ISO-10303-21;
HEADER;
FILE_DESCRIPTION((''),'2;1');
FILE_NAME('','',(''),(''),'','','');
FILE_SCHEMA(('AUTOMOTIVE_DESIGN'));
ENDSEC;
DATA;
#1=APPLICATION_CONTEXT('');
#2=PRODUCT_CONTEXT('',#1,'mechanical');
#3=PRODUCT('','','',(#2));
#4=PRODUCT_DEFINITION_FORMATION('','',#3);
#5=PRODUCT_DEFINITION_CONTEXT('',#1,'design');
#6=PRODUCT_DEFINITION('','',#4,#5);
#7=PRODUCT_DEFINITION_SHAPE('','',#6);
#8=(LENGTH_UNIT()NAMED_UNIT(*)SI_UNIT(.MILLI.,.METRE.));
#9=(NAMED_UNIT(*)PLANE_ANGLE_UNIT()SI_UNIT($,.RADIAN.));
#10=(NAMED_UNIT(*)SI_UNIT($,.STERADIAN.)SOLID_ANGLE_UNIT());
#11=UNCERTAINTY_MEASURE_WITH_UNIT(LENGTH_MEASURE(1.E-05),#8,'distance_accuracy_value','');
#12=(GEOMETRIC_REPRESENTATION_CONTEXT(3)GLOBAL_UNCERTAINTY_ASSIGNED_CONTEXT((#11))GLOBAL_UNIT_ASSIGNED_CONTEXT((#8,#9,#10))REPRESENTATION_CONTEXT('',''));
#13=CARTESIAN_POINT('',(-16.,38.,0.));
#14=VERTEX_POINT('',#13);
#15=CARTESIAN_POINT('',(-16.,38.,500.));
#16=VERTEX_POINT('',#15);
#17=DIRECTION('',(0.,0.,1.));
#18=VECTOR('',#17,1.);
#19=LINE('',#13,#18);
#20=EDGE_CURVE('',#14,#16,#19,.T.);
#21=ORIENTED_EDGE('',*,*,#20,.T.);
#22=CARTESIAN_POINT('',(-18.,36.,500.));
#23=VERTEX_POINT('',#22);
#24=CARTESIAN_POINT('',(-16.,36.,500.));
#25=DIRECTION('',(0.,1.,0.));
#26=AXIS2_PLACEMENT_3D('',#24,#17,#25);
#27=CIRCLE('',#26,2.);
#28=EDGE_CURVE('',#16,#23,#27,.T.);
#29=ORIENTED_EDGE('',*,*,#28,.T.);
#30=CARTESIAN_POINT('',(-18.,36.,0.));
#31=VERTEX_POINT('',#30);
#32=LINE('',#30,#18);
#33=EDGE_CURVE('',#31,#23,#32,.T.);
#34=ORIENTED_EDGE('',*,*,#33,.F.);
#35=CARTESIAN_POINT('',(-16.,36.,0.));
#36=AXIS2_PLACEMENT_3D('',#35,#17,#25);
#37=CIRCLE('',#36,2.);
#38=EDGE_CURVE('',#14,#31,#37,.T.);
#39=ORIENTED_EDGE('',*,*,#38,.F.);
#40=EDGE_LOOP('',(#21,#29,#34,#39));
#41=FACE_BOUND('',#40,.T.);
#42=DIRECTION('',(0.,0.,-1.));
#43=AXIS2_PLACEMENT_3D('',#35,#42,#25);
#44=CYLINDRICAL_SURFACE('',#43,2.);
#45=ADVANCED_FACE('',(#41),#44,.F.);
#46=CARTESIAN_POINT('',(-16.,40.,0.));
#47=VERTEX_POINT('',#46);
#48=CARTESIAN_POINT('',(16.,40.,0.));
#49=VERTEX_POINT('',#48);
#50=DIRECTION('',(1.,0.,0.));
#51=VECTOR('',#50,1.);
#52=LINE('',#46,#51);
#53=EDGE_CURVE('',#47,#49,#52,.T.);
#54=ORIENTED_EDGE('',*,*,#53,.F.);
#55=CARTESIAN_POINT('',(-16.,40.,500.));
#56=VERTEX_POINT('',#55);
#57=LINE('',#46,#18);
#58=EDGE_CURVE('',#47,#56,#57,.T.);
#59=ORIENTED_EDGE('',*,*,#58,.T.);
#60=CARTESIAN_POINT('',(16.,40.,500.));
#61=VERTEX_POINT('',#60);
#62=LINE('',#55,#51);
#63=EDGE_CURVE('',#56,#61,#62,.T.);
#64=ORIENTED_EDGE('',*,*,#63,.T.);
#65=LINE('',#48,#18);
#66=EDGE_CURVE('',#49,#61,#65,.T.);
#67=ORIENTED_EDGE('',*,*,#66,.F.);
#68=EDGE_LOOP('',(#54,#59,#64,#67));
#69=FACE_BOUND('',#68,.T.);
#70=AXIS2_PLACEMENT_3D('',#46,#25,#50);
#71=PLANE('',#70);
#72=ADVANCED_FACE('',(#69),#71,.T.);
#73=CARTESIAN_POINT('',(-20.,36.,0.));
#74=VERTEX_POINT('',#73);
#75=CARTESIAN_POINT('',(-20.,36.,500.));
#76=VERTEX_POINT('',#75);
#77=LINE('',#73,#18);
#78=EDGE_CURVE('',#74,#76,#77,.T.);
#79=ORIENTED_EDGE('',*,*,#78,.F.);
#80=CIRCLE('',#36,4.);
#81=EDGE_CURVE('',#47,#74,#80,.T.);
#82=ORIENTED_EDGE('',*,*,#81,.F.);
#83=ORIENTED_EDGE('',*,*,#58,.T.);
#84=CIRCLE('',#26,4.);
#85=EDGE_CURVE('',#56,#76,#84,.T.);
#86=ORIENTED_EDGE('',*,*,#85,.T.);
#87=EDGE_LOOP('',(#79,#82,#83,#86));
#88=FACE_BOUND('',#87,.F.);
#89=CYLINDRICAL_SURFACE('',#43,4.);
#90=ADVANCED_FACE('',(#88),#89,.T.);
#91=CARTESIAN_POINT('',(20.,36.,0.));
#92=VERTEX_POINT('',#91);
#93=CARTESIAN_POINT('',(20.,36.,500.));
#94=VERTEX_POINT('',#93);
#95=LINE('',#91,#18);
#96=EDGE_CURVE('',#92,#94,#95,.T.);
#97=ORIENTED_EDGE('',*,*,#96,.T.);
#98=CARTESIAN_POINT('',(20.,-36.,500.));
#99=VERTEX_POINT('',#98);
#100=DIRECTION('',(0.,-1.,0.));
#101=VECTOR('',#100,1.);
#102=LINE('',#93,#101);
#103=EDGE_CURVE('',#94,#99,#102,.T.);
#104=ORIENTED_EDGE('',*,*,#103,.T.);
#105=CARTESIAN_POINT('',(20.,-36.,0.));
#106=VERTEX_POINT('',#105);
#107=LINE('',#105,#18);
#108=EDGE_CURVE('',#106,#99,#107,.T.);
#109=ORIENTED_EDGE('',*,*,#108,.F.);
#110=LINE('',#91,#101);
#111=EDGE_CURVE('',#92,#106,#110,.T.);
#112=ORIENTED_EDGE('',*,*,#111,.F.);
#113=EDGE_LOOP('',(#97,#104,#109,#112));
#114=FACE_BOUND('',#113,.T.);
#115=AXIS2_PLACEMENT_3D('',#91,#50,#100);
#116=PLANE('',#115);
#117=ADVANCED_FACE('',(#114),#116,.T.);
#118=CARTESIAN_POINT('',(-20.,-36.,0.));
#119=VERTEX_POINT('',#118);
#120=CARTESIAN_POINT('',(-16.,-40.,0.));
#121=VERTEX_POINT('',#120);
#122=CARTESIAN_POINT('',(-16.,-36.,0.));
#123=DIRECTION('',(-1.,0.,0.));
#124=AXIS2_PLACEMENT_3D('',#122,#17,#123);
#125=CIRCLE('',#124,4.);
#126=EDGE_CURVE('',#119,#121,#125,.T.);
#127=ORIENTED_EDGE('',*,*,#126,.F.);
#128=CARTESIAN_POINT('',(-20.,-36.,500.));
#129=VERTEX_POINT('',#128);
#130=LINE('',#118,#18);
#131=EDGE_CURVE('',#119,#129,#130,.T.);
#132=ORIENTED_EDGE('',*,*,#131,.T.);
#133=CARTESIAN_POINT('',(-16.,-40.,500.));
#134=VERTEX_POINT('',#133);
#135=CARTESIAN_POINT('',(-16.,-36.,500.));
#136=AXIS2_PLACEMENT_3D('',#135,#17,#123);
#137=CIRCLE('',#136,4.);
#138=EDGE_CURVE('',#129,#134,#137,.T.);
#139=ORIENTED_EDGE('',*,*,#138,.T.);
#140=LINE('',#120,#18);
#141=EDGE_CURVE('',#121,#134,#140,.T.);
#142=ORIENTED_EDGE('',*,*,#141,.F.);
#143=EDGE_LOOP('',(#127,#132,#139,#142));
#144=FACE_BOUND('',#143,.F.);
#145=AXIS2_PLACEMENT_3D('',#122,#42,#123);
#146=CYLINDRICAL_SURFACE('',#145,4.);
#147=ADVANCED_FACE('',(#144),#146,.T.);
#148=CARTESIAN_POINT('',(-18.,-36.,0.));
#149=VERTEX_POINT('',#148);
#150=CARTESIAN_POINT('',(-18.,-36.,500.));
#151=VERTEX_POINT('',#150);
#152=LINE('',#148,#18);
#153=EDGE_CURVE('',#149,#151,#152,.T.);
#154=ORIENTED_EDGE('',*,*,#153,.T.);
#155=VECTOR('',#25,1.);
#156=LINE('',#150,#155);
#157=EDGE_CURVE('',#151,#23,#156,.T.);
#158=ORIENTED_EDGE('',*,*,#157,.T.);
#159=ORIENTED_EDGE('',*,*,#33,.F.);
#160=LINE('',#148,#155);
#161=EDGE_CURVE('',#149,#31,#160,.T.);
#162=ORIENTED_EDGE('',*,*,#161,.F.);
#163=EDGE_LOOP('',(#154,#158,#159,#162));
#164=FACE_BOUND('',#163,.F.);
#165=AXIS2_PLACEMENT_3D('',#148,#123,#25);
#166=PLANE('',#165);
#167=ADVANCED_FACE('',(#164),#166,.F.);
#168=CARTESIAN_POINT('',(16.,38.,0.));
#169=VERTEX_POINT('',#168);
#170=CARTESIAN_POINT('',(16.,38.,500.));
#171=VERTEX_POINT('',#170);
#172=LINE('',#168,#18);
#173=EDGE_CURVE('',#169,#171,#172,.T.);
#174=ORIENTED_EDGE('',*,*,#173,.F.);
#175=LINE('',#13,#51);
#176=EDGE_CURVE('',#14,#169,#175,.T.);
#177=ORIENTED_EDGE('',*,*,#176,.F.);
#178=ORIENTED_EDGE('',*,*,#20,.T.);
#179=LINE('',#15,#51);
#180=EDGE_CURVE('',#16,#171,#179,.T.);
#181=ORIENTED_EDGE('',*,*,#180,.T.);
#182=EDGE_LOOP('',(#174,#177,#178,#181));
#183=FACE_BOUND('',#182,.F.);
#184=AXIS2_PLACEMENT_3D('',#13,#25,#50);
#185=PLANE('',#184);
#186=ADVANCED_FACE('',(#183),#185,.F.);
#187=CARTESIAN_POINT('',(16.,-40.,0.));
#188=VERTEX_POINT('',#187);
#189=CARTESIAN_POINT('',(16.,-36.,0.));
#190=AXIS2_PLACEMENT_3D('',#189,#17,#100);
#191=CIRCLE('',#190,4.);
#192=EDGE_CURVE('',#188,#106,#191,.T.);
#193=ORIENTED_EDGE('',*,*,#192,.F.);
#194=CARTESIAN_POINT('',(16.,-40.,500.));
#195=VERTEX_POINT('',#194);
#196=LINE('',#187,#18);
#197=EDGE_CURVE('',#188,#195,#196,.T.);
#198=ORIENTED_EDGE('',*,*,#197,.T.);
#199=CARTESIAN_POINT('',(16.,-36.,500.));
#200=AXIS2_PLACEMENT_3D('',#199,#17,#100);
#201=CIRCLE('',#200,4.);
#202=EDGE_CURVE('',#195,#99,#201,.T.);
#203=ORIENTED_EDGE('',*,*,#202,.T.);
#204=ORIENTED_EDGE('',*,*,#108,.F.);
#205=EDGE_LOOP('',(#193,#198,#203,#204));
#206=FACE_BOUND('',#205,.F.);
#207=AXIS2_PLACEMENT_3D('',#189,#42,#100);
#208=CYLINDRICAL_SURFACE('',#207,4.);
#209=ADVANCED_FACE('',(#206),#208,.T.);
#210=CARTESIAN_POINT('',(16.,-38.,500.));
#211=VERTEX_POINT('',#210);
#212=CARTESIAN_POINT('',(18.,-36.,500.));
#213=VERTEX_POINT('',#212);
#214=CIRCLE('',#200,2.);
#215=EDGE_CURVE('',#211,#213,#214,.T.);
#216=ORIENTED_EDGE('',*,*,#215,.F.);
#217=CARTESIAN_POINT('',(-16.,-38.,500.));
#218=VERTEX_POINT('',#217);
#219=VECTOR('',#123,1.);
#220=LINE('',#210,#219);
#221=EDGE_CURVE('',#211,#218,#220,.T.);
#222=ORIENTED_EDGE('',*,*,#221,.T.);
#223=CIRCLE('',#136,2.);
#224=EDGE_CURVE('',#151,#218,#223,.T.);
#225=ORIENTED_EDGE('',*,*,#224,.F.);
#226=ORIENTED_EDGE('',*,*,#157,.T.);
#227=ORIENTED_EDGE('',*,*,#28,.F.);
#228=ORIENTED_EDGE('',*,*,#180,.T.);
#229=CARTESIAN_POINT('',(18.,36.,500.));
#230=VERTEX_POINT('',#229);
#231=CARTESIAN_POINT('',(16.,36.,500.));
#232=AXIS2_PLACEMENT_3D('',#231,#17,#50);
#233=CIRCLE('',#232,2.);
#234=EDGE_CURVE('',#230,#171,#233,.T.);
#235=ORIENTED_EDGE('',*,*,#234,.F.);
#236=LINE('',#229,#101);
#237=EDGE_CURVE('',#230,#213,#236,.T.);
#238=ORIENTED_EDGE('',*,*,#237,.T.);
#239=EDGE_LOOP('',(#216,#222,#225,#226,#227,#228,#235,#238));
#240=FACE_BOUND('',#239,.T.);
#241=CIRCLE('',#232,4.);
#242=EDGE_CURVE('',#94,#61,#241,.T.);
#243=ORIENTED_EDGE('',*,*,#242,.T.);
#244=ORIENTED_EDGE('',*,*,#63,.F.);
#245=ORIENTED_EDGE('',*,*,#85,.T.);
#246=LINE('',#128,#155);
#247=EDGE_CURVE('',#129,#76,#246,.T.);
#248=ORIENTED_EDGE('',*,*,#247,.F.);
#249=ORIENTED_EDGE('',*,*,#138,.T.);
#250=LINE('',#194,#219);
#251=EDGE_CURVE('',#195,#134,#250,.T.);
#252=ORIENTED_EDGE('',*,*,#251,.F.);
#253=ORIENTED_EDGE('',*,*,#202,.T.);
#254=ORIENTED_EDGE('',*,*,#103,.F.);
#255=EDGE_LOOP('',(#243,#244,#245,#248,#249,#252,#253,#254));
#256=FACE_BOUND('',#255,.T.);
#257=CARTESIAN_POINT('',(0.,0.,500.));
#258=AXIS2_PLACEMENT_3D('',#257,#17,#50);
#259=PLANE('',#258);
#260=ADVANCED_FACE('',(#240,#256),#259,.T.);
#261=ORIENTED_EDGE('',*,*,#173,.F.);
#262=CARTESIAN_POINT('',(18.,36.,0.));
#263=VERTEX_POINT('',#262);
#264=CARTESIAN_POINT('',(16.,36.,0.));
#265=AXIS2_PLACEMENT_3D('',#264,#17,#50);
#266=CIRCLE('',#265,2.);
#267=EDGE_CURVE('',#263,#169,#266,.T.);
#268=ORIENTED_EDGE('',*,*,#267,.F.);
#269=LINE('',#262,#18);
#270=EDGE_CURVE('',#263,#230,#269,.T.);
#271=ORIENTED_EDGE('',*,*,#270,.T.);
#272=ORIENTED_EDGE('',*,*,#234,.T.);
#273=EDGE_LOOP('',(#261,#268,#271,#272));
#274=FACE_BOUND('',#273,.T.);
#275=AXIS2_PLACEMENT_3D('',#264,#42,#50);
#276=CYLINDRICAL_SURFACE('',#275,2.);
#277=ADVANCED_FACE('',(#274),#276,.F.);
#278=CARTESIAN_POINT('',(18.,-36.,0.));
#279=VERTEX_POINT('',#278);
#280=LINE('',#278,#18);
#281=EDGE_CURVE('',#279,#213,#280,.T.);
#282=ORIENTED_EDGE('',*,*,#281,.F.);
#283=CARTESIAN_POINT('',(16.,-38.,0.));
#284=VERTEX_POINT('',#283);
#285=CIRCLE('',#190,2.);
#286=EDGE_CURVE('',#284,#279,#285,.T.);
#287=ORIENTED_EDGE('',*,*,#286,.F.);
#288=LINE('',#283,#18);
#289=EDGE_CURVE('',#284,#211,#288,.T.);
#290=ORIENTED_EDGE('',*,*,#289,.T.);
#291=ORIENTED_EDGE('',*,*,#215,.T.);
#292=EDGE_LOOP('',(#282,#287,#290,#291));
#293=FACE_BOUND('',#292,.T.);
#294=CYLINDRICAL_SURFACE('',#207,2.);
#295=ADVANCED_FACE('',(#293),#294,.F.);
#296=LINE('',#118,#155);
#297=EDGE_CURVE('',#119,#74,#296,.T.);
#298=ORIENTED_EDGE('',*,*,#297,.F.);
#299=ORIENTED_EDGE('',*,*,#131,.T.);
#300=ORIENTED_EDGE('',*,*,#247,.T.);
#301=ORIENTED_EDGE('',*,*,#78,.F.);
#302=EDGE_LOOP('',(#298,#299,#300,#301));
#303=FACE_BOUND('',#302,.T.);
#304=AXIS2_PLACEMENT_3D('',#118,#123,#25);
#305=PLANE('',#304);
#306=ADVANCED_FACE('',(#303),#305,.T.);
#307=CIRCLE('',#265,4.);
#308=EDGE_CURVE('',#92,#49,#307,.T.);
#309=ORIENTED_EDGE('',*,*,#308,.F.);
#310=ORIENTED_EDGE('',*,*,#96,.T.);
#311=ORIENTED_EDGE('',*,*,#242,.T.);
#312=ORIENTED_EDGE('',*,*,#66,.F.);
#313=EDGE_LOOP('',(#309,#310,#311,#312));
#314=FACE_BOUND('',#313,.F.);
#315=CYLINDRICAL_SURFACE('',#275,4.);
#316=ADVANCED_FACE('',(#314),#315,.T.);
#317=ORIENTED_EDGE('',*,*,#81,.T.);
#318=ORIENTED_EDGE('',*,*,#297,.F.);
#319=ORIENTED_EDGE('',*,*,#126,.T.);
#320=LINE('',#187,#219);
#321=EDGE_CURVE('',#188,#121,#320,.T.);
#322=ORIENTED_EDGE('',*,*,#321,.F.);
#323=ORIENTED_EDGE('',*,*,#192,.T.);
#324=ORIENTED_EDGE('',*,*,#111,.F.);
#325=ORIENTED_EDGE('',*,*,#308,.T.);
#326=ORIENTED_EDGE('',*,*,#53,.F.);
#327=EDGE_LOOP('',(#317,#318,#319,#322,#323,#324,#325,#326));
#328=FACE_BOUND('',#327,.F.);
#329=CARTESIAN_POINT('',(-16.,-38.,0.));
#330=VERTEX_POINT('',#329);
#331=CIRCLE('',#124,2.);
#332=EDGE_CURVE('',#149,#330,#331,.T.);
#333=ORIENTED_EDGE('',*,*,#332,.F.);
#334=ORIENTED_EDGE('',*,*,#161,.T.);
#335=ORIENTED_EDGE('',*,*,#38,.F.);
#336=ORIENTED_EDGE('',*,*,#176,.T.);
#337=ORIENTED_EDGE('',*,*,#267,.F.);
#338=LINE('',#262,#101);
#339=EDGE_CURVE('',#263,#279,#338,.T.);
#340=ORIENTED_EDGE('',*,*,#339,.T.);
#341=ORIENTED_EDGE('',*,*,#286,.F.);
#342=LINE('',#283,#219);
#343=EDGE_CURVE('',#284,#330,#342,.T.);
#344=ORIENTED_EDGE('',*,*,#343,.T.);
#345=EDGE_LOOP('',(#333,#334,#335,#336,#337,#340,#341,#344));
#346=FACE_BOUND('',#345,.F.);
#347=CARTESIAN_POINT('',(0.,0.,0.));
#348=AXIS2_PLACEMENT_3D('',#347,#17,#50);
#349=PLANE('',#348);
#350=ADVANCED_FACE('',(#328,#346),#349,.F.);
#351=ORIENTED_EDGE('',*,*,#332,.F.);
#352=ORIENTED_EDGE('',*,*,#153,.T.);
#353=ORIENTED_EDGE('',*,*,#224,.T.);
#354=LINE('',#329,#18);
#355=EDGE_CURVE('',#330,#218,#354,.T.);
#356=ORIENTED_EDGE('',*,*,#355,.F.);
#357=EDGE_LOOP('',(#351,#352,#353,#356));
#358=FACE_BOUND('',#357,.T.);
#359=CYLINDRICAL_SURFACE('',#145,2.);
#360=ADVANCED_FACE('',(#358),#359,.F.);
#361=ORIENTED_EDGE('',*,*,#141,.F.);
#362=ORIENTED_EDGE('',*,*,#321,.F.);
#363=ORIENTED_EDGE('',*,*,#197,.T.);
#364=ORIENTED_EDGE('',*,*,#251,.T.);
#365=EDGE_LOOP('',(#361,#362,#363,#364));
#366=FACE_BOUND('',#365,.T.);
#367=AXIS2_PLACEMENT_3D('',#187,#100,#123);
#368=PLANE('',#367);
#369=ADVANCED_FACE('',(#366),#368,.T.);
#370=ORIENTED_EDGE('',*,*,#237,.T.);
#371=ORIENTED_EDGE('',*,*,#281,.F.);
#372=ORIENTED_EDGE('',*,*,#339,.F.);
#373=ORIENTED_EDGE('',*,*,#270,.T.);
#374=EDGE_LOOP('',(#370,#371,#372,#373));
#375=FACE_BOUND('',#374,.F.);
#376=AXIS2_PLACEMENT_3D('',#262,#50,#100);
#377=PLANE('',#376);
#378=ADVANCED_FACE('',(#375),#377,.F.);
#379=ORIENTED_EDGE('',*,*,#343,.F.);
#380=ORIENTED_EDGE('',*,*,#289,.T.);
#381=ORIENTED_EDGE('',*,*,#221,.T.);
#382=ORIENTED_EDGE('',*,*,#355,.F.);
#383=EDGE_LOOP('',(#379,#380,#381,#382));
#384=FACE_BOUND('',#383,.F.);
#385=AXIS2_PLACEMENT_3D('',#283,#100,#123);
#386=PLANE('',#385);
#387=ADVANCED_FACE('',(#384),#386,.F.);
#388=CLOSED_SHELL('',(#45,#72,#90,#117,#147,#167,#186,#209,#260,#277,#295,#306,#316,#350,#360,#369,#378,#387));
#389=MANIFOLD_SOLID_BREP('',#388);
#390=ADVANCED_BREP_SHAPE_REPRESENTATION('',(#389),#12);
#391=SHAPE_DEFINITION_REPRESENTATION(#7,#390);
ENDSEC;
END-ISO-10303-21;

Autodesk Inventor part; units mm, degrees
ref_plane "YZ Plane" through (0, 0, 0) normal (1, 0, 0) x (0, 1, 0)
ref_plane "Start Plane" through (0, 0, 0) normal (0, 0, 1) x (1, 0, 0)
ref_plane "End Plane" through (0, 0, 500) normal (0, 0, 1) x (1, 0, 0)
sketch "Sketch" plane through (0, 0, 0) normal (0, 0, 1) x (1, 0, 0)
  line L0 (-20, -36) -> (-20, 36)
  line L1 (-16, 40) -> (16, 40)
  line L2 (20, 36) -> (20, -36)
  line L3 (16, -40) -> (-16, -40)
  arc A0 (-20, -36) -> (-16, -40) centre (-16, -36) ccw
  arc A1 (20, 36) -> (16, 40) centre (16, 36) ccw
  arc A2 (-16, 40) -> (-20, 36) centre (-16, 36) ccw
  arc A3 (16, -40) -> (20, -36) centre (16, -36) ccw
  arc A4 (-16, 38) -> (-18, 36) centre (-16, 36) ccw
  line L4 (-16, 38) -> (16, 38)
  arc A5 (18, 36) -> (16, 38) centre (16, 36) ccw
  line L5 (18, 36) -> (18, -36)
  arc A6 (16, -38) -> (18, -36) centre (16, -36) ccw
  line L6 (16, -38) -> (-16, -38)
  arc A7 (-18, -36) -> (-16, -38) centre (-16, -36) ccw
  line L7 (-18, -36) -> (-18, 36)
  line L8 (0, 57.1598) -> (0, -57.1598) construction
  line L9 (-29.1598, 0) -> (29.1598, 0) construction
  dimension "d7" = 4
  dimension "d9" = 40
  dimension "d11" = 80
  dimension "d12" = 2
  dimension "d15" = 20
  dimension "d16" = 40
extrude "Body" add sketch "Sketch" along normal up to surface (500 mm away) from surface at 0
sketch "Sketch3" plane through (0, 0, 0) normal (0, 0, 1) x (1, 0, 0)
  line L0 (0, 0) -> (10, 0)
ref_plane "Work Plane3" through (0, 0, 0) normal (0, -1, 0) x (1, 0, 0)
sketch "Sketch4" plane through (0, 0, 0) normal (0, -1, 0) x (1, 0, 0)
  line L0 (-2, 0) -> (12, 0) projected
  line L1 (-2, 500) -> (12, 500) projected
  dimension "d18" = 500
equation "\"d7\" = G_IR"
equation "\"d9\" = G_W"
equation "\"d11\" = G_H"
equation "\"d12\" = G_T"
equation "\"d15\" = 0.5 * d9"
equation "\"d16\" = 0.5 * d11"
equation "\"d3\" = G_L"
equation "\"G_W\" = 40"
equation "\"G_H\" = 80"
equation "\"G_T\" = 2"
equation "\"G_IR\" = 4"
equation "\"G_L\" = d18"
equation "\"G_OFFSET_START\" = 0"
equation "\"G_OFFSET_END\" = 0"
properties part number "ISO 4019 - 80x40x2 - 500" material "Steel, Mild"
